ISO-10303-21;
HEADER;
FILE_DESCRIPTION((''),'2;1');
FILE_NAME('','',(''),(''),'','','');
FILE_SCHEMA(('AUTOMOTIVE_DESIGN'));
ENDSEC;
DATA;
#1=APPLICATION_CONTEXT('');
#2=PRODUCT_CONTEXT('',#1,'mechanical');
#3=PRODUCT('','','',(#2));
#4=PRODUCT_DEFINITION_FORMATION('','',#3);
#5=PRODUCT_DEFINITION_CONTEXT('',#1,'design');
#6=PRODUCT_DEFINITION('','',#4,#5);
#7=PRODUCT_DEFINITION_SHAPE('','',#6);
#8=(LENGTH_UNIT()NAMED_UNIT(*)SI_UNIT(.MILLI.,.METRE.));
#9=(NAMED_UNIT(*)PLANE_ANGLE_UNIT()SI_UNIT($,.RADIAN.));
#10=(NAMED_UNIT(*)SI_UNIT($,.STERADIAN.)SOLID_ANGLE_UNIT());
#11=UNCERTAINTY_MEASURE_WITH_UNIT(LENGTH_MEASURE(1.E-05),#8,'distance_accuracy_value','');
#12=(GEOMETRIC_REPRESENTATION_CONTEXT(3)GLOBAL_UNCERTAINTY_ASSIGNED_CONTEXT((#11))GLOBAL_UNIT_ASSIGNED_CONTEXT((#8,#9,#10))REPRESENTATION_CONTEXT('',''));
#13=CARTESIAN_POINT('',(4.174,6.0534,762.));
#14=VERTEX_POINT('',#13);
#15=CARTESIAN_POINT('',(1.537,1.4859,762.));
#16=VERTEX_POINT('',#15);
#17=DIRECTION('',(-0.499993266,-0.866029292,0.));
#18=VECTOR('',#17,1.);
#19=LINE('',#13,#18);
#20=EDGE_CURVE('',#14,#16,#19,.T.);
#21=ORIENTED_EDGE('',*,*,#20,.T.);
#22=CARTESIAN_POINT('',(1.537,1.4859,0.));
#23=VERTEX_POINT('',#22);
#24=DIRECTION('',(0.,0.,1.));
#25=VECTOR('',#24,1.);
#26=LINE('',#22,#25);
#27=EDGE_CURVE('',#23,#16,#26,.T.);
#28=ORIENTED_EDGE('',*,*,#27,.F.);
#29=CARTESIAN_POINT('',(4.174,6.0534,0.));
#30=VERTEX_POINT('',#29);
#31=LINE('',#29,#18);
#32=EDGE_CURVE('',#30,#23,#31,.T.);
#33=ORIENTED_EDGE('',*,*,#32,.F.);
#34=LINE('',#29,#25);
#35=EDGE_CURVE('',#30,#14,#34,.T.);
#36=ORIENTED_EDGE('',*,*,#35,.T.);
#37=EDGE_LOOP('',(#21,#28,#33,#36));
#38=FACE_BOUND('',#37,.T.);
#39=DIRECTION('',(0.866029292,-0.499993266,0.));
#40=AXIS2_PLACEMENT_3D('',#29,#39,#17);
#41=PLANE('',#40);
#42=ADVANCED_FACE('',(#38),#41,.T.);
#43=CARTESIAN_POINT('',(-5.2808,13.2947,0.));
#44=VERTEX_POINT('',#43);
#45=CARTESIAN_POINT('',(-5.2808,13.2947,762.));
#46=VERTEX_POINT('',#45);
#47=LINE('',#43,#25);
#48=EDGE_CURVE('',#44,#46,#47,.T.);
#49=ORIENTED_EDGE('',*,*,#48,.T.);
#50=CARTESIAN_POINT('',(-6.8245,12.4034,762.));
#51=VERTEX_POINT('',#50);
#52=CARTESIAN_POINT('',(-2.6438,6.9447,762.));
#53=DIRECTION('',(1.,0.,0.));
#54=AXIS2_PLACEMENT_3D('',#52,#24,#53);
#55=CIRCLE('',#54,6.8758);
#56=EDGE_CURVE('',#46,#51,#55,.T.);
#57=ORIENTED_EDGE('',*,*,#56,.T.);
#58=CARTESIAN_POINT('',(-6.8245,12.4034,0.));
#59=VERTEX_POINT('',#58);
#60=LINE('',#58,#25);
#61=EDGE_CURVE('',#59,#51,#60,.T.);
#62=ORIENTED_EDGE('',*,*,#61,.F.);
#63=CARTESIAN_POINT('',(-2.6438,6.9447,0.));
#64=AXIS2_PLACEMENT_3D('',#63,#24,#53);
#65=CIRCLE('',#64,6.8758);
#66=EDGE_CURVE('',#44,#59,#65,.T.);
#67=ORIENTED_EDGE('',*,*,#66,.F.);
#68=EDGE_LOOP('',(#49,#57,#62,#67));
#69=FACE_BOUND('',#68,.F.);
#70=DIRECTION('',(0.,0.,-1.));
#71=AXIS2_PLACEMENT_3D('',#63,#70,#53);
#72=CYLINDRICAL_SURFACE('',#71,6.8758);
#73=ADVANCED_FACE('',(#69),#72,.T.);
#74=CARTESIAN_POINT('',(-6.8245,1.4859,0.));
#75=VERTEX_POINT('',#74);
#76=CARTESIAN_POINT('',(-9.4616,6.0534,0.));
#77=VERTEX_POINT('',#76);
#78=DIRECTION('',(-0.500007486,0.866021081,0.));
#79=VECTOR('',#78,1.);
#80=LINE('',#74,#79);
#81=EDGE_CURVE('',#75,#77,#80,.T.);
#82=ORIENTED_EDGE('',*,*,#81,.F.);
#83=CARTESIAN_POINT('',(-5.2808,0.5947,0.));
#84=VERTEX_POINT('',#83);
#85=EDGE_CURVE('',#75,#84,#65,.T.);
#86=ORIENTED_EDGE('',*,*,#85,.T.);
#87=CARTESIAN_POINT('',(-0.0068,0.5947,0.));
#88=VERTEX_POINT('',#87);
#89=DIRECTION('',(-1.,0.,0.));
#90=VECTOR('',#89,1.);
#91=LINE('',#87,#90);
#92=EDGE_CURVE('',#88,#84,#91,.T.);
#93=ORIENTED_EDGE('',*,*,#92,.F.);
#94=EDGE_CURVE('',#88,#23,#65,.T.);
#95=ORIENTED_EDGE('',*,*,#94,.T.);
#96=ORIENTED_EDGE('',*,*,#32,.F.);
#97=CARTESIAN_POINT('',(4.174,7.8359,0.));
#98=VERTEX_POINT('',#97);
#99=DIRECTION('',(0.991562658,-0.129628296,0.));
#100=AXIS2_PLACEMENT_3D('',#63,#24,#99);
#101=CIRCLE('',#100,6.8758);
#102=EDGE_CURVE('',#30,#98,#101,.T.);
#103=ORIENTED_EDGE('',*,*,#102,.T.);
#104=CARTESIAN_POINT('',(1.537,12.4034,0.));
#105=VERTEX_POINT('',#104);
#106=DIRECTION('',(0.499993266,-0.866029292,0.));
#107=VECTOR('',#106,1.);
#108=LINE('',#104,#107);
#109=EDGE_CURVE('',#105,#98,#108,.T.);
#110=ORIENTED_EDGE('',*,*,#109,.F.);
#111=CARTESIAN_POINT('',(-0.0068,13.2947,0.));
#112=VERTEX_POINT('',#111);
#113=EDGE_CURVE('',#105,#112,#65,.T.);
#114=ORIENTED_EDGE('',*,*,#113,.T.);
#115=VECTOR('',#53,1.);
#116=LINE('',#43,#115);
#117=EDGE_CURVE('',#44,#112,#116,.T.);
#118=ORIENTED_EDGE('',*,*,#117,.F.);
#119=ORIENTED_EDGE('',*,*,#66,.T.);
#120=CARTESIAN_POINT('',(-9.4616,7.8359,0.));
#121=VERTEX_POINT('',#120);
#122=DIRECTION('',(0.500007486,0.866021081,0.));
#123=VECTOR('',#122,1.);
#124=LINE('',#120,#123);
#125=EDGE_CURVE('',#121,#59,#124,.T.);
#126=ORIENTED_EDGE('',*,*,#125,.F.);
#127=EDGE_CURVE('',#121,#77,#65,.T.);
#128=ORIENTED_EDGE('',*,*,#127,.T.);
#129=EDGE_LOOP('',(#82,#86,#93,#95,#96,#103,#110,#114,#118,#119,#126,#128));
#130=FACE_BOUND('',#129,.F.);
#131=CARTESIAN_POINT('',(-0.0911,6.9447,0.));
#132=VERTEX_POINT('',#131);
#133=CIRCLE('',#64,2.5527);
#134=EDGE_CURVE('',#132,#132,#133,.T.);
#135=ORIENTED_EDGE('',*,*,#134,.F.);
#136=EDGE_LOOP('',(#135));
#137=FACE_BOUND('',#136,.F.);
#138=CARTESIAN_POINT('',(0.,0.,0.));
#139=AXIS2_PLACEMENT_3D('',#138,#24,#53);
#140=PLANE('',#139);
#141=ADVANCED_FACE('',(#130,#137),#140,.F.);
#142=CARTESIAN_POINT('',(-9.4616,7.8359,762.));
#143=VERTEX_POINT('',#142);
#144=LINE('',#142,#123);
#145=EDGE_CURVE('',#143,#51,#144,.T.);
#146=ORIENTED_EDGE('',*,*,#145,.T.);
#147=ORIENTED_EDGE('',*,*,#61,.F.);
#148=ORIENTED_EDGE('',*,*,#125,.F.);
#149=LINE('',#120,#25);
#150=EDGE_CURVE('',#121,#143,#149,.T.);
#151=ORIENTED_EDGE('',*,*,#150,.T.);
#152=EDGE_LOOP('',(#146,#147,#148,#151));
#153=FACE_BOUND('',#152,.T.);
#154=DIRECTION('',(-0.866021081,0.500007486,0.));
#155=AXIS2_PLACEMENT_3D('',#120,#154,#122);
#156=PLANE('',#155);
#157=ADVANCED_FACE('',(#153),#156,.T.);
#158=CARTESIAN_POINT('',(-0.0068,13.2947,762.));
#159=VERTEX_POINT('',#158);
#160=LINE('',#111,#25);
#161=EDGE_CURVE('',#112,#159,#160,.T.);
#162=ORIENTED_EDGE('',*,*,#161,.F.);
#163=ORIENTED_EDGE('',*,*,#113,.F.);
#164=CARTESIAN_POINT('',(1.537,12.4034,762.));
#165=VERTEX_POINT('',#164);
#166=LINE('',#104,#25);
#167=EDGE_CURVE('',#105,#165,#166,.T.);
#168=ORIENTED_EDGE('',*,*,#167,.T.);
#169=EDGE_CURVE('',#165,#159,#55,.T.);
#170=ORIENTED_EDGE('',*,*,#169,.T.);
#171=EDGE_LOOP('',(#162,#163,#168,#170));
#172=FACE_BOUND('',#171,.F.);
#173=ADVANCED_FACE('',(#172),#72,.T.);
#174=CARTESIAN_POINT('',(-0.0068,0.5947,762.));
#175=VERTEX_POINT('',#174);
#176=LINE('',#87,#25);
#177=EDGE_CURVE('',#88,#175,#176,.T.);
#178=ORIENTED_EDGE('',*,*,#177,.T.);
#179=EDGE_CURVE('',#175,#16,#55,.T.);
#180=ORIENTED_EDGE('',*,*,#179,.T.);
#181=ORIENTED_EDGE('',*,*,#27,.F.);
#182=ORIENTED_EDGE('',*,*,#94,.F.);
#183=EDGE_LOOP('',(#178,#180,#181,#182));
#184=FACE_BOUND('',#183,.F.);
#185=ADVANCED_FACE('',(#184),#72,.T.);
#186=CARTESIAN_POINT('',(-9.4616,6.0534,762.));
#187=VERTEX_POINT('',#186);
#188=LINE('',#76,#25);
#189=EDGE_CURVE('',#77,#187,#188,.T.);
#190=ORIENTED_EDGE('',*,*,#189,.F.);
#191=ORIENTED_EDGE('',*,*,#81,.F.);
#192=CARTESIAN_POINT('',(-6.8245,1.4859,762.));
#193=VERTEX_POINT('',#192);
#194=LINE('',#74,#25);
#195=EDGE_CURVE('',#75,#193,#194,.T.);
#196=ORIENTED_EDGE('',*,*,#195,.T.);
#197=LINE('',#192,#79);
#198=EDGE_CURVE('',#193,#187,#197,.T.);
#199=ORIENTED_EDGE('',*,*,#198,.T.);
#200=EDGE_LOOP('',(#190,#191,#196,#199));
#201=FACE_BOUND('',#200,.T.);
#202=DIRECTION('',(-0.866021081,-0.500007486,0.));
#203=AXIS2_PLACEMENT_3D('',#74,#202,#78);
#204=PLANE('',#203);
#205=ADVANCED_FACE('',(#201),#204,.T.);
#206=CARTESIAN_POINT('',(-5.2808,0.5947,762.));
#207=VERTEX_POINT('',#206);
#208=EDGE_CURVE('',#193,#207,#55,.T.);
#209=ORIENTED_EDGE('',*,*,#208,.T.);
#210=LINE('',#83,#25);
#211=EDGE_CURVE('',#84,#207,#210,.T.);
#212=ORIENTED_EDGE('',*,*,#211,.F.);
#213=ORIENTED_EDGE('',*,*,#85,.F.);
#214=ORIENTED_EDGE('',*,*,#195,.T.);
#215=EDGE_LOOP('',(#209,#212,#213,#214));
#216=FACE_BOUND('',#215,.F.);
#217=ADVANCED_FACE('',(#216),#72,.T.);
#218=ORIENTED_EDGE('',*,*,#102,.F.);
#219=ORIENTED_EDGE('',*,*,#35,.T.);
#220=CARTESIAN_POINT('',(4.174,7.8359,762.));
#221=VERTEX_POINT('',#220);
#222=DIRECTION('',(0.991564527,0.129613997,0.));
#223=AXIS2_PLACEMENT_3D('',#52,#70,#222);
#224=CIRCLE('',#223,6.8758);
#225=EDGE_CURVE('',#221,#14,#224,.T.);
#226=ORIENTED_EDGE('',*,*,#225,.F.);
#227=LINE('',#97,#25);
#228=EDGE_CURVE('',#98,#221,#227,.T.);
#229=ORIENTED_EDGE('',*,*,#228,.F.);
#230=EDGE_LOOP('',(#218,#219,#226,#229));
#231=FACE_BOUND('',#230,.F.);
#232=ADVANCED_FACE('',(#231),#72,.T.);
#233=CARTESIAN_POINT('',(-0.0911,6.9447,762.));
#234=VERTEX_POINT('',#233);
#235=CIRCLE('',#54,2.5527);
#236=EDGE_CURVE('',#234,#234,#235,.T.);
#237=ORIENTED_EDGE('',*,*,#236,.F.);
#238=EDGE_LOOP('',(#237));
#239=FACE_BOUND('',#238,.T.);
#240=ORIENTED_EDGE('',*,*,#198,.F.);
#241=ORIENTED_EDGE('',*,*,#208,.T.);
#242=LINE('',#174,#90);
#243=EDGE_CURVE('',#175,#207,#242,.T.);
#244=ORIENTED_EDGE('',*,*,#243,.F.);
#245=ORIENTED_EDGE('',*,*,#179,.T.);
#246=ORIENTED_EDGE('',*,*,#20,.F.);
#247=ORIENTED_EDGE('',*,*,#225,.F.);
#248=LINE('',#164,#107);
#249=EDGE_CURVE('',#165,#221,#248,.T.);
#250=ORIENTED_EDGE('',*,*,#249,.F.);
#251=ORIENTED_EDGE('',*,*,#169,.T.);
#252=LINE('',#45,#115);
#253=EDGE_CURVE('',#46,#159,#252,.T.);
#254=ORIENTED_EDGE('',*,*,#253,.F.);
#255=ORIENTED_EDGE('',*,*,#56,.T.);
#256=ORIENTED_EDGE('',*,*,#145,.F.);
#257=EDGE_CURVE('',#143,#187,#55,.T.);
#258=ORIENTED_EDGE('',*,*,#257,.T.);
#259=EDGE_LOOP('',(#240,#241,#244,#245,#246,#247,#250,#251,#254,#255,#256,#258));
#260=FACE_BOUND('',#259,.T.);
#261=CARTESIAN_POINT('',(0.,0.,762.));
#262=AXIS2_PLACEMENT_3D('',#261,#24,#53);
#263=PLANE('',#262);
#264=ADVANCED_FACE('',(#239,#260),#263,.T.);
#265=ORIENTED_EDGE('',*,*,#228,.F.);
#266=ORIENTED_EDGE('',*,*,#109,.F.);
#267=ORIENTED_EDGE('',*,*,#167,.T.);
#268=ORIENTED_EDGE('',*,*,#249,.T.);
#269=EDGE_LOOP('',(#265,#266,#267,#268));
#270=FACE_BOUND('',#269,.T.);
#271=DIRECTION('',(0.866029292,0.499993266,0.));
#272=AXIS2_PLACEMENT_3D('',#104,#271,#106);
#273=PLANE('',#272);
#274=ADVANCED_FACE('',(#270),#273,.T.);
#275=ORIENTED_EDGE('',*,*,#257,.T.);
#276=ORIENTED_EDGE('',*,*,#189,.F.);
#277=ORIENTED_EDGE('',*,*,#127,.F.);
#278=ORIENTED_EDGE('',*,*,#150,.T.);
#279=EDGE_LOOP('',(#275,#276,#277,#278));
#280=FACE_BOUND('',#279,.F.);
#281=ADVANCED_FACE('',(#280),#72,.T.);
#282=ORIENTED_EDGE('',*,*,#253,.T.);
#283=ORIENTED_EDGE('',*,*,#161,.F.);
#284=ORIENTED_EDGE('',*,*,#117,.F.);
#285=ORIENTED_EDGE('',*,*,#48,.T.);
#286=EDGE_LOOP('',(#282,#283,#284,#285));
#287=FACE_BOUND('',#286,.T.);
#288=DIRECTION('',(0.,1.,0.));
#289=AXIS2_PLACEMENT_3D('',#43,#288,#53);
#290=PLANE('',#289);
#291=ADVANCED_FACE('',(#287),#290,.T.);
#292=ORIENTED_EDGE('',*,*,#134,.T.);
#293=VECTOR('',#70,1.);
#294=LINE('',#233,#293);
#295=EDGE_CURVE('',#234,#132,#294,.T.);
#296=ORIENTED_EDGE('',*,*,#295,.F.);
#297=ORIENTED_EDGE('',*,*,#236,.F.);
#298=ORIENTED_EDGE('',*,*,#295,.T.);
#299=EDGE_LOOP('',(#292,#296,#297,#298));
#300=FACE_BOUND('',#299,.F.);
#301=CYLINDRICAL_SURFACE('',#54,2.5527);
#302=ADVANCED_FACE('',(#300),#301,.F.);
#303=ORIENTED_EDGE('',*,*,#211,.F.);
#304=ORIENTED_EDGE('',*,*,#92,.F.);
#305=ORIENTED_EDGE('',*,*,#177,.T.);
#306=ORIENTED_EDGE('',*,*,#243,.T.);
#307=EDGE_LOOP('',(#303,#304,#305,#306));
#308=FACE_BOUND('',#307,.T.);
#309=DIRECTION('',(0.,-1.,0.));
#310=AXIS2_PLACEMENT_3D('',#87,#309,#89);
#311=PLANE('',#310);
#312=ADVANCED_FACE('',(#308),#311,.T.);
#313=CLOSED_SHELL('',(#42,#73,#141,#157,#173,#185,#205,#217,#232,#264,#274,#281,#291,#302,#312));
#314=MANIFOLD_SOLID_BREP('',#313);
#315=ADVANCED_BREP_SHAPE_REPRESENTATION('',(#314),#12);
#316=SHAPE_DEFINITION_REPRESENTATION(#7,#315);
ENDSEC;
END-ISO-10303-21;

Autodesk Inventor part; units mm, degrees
ref_plane "YZ Plane" through (0, 0, 0) normal (1, 0, 0) x (0, 1, 0)
ref_plane "XZ Plane" through (0, 0, 0) normal (0, 1, 0) x (-1, 0, 0)
ref_plane "XY Plane" through (0, 0, 0) normal (0, 0, 1) x (1, 0, 0)
sketch "Sketch1" plane through (0, 0, 0) normal (0, 0, 1) x (1, 0, 0)
  circle A0 centre (-2.6438, 6.9447) radius 6.8758
  line L0 (-9.4616, 7.8359) -> (-6.8245, 12.4034)
  line L1 (-6.8245, 1.4859) -> (-9.4616, 6.0534)
  line L2 (-0.0068, 0.5947) -> (-5.2808, 0.5947)
  line L3 (4.174, 6.0534) -> (1.537, 1.4859)
  line L4 (1.537, 12.4034) -> (4.174, 7.8359)
  line L5 (-5.2808, 13.2947) -> (-0.0068, 13.2947)
  point P0 (0, 0)
  point P1 (1.537, 1.4859)
  dimension "d0" = 13.7516
  dimension "d4" = 360
extrude "Extrusion1" add sketch "Sketch1" along normal blind 762 contours A0 L3 L2 L1 L0 L5 L4
sketch "Sketch2" plane through (0, 0, 762) normal (0, 0, 1) x (1, 0, 0)
  circle A0 centre (-2.6438, 6.9447) radius 2.5527
  line L0 (-5.2808, 0.5947) -> (-0.0068, 0.5947) projected
  line L1 (-2.6438, 6.9447) -> (-5.2808, 0.5947) construction
  line L2 (-2.6438, 6.9447) -> (-0.0068, 0.5947) construction
  point P0 (0, 0)
  dimension "d8" = 5.1054
  dimension "d9" = 6.35
extrude "Extrusion2" cut sketch "Sketch2" against normal blind 762
equation "\"d6\" = d5"
equation "\"d10\" = d5"
equation "\"d5\" = 762"
properties part number "ThunderHex(Tower Arms Pivot)"
